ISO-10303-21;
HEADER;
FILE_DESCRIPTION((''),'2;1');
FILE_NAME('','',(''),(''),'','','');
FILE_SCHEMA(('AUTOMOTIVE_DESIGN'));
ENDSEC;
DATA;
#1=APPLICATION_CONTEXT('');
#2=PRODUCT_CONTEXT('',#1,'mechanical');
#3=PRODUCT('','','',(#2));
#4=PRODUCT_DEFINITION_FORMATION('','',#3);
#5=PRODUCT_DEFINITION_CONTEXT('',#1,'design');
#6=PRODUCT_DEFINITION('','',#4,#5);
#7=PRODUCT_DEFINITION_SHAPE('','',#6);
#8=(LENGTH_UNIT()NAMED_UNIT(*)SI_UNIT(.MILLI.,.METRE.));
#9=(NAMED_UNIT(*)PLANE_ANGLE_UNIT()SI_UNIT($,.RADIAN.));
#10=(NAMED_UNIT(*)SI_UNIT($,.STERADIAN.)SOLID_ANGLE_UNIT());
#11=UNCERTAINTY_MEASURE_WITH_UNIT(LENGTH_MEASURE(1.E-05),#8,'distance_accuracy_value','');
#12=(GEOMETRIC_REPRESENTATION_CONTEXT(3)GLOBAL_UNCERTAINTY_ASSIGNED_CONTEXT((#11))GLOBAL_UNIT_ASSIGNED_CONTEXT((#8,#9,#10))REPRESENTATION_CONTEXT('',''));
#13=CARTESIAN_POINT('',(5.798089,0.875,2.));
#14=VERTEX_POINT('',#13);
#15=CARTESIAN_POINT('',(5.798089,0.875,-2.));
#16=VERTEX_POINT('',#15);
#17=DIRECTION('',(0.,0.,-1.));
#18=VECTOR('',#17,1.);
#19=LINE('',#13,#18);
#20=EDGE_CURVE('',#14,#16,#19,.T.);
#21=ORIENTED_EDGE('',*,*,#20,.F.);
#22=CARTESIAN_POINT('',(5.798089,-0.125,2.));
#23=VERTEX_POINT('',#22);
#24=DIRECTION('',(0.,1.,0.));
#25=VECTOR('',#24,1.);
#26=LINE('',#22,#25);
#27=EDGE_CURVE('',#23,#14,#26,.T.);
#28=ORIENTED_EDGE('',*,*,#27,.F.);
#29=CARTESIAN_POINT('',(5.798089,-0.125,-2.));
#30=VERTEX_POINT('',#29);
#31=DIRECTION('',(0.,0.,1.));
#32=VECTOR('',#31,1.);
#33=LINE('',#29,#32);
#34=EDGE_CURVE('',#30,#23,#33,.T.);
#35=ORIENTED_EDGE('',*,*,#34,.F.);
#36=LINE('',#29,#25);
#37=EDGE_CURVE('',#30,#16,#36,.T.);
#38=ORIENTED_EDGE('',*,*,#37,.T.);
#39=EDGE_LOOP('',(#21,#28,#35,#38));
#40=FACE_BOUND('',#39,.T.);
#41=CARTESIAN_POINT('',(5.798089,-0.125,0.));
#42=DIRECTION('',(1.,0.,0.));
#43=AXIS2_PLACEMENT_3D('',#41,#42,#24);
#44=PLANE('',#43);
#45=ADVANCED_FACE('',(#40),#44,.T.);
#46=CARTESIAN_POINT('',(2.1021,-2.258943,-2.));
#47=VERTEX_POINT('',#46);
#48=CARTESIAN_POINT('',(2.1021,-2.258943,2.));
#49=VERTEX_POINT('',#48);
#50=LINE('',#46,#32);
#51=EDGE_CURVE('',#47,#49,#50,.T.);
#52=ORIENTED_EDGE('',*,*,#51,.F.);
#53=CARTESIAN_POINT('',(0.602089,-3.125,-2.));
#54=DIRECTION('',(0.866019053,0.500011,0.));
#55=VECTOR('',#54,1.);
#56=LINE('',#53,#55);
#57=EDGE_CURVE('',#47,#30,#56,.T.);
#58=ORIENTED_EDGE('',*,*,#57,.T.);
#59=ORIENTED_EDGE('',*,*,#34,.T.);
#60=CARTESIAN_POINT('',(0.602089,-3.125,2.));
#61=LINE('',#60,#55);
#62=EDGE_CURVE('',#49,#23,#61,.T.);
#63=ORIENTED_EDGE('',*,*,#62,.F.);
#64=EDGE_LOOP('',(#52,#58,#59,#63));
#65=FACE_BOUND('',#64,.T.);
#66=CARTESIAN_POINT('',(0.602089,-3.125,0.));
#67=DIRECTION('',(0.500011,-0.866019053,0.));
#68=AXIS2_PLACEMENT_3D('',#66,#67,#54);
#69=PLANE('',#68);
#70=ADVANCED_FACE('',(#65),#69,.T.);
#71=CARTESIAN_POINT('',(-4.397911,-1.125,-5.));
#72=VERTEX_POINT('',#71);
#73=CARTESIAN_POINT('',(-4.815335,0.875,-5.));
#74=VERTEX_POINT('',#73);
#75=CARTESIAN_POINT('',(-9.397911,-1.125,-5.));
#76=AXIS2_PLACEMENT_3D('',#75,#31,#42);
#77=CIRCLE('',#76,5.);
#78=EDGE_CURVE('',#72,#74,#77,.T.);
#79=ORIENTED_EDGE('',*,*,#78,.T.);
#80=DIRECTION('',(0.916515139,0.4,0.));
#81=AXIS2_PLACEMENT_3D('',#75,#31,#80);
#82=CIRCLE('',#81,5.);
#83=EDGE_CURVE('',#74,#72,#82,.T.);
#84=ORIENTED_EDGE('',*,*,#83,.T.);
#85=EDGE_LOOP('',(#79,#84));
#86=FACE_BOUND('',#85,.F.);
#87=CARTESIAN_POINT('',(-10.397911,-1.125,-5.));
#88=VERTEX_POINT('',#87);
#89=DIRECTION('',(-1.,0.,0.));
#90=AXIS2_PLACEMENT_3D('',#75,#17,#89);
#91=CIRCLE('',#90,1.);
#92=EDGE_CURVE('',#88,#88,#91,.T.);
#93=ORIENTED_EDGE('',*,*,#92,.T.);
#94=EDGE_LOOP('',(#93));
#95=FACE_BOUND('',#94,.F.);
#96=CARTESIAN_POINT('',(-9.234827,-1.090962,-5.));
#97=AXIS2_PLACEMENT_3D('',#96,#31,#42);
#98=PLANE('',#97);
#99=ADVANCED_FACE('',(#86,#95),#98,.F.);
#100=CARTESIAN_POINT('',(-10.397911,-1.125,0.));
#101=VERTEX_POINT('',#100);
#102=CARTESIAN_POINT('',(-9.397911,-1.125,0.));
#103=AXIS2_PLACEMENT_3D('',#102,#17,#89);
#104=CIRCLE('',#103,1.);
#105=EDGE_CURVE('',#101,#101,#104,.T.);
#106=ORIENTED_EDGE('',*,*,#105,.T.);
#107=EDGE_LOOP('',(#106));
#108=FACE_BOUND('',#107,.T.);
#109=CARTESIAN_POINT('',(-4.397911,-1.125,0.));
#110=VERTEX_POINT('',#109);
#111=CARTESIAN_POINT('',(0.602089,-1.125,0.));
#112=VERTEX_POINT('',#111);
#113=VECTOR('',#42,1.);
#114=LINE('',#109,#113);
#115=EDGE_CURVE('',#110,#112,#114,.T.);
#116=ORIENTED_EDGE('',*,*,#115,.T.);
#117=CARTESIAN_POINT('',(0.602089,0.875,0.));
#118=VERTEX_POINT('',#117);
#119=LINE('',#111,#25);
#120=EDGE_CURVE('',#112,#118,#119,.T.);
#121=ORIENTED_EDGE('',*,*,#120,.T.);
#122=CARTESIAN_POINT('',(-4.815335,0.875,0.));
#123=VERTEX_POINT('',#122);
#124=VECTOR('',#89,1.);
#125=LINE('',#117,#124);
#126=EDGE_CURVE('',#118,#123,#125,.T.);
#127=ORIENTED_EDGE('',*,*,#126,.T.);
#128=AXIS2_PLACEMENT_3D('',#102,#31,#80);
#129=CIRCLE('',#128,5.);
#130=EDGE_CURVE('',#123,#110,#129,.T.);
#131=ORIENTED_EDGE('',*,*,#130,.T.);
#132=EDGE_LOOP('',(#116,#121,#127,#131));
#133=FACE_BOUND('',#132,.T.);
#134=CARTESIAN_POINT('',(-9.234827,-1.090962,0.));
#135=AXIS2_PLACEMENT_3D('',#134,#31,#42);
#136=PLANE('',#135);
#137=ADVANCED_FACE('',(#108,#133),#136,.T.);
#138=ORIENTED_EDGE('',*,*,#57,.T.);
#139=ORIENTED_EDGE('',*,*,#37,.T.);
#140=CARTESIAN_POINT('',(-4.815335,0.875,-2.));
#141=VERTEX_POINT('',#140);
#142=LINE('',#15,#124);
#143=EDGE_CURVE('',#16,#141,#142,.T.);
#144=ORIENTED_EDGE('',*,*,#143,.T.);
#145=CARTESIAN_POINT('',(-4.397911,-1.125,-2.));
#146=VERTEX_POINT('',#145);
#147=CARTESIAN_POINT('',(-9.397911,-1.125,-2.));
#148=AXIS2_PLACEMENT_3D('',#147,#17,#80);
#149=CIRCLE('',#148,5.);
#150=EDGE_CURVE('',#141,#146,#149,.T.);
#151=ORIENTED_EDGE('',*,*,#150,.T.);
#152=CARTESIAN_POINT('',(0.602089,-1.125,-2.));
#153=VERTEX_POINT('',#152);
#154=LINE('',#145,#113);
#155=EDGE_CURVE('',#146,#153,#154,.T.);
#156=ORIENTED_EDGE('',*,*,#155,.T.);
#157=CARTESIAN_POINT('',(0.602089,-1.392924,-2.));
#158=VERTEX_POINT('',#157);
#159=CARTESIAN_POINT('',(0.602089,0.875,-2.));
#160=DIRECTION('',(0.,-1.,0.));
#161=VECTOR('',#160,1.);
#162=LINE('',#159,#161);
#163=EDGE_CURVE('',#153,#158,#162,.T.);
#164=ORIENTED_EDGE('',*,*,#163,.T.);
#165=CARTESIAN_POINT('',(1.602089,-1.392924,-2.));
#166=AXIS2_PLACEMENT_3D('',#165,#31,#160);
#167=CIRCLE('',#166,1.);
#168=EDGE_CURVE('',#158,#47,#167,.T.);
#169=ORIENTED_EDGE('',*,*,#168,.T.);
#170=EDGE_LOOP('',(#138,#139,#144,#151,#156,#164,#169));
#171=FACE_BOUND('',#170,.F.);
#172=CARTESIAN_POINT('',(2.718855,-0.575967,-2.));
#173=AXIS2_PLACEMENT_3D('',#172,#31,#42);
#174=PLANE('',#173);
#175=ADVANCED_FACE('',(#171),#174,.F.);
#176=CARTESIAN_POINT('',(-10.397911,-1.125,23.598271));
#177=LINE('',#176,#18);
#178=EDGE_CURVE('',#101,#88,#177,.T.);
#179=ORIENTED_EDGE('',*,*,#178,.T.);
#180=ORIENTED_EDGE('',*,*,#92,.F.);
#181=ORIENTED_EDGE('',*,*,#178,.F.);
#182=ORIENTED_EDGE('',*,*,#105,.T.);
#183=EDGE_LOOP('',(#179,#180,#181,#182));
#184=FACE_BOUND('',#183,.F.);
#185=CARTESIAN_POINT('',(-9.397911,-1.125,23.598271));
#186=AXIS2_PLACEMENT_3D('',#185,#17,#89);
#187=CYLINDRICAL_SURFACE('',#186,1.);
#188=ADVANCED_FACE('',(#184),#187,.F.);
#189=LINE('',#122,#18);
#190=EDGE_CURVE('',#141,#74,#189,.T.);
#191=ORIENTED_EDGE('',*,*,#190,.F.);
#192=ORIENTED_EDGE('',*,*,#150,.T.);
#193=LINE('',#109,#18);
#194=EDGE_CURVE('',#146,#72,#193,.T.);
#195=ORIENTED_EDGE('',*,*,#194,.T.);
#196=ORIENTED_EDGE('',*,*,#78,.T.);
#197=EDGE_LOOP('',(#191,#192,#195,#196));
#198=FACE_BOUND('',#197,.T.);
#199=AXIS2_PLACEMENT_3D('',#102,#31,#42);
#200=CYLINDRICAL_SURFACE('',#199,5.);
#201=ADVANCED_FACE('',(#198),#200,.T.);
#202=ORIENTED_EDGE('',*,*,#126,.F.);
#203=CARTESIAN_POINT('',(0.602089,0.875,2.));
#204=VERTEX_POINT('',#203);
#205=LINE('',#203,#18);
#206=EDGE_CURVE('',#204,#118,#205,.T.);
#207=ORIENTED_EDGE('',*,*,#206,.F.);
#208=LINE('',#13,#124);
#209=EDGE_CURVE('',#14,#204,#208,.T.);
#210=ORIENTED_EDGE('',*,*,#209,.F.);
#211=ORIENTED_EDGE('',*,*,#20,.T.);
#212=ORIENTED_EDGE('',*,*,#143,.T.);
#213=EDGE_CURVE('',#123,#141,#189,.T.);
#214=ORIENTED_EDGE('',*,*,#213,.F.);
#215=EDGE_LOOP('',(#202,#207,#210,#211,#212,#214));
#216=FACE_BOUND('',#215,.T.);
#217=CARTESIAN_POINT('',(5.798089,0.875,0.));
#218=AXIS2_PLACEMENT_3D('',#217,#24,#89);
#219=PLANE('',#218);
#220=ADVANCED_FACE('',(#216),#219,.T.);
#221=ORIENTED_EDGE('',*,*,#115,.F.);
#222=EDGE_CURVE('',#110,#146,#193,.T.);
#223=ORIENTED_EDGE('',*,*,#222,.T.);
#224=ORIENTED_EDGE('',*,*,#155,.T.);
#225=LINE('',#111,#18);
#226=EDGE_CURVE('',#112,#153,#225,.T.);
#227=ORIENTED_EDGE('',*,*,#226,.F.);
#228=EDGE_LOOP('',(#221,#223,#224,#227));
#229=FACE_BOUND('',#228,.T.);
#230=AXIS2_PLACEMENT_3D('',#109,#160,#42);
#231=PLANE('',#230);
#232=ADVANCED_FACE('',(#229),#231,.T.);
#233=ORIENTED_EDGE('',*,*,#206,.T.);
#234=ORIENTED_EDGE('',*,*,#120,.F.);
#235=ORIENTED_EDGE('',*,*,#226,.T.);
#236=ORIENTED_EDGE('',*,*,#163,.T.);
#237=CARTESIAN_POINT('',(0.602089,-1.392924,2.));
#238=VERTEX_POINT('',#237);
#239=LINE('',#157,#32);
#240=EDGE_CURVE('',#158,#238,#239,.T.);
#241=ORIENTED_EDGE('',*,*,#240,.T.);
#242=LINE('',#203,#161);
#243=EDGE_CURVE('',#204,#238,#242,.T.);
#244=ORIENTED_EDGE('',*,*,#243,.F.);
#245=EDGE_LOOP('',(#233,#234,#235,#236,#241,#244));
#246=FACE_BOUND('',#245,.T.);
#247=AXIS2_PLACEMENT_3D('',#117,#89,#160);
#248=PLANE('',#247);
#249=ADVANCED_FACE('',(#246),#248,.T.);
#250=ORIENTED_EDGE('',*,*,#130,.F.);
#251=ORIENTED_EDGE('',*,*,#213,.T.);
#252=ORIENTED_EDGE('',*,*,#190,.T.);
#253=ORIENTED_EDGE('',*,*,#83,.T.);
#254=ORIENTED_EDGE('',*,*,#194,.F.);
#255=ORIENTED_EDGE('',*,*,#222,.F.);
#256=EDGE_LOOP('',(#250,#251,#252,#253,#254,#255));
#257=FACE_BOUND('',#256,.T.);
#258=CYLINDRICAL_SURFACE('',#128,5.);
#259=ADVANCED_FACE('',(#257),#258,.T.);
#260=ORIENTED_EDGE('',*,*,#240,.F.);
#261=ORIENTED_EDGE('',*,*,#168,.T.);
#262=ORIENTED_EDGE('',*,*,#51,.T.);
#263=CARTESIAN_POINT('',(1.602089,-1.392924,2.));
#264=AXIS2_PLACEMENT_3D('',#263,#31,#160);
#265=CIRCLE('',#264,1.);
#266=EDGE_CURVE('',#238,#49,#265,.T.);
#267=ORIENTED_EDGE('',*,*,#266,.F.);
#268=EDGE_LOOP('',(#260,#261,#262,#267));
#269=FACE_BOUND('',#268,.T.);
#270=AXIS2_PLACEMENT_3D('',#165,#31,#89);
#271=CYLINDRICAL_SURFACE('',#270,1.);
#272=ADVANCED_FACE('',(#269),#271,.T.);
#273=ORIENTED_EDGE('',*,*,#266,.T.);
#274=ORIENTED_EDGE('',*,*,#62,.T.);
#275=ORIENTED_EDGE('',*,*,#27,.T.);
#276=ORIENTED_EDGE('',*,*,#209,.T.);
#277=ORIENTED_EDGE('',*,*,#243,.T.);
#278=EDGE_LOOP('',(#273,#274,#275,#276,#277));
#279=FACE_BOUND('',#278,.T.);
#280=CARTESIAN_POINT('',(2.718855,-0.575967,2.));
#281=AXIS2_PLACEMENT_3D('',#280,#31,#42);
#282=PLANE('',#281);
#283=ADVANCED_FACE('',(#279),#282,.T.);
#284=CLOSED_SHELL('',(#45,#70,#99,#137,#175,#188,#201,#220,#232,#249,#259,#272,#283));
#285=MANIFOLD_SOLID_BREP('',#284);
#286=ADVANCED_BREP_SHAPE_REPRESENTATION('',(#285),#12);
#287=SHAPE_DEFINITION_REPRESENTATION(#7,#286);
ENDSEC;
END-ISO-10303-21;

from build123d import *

# Parameters (mm, degrees)
F1_DEPTH = 2
F2_DEPTH = 2
F3_DEPTH = 5
F4_R     = 1
F5_D     = 2


with BuildPart() as f1:
    # F0 (on Top) → F1 (new body)
    with BuildSketch(Plane.XY):
        with BuildLine():
            ThreePointArc((-4.815335286, 0.875), (-4.5033794163, -0.1034517816), (-4.3979109809, -1.125))
            Line((-4.3979109809, -1.125), (0.6020890191, -1.125))
            Line((0.6020890191, -1.125), (0.6020890191, 0.875))
            Line((0.6020890191, 0.875), (-4.815335286, 0.875))
        make_face()
    extrude(amount=-F1_DEPTH)

    # F0 (on Top) → F2 (join, symmetric)
    with BuildSketch(Plane.XY):
        Polygon((0.6020890191, 0.875), (0.6020890191, -1.125), (0.6020890191, -3.125), (5.7980890191, -0.125), (5.7980890191, 0.875), align=None)
    extrude(amount=F2_DEPTH, both=True)

    # F0 (on Top) → F3 (join)
    with BuildSketch(Plane.XY):
        with BuildLine():
            ThreePointArc((-4.815335286, 0.875), (-14.2924425456, -2.1465482184), (-4.3979109809, -1.125))
            ThreePointArc((-4.3979109809, -1.125), (-4.5033794163, -0.1034517816), (-4.815335286, 0.875))
        make_face()
    extrude(amount=-F3_DEPTH)

    # F4
    f4_edges = [f1.edges().sort_by_distance(p)[0] for p in [
        (0.602089, -3.125, 0),
    ]]
    fillet(f4_edges, radius=F4_R)

    # F5 (through all)
    with Locations(Plane.XY):
        with Locations((-9.3979109809, -1.125)):
            Hole(F5_D / 2)


solid = f1.part
